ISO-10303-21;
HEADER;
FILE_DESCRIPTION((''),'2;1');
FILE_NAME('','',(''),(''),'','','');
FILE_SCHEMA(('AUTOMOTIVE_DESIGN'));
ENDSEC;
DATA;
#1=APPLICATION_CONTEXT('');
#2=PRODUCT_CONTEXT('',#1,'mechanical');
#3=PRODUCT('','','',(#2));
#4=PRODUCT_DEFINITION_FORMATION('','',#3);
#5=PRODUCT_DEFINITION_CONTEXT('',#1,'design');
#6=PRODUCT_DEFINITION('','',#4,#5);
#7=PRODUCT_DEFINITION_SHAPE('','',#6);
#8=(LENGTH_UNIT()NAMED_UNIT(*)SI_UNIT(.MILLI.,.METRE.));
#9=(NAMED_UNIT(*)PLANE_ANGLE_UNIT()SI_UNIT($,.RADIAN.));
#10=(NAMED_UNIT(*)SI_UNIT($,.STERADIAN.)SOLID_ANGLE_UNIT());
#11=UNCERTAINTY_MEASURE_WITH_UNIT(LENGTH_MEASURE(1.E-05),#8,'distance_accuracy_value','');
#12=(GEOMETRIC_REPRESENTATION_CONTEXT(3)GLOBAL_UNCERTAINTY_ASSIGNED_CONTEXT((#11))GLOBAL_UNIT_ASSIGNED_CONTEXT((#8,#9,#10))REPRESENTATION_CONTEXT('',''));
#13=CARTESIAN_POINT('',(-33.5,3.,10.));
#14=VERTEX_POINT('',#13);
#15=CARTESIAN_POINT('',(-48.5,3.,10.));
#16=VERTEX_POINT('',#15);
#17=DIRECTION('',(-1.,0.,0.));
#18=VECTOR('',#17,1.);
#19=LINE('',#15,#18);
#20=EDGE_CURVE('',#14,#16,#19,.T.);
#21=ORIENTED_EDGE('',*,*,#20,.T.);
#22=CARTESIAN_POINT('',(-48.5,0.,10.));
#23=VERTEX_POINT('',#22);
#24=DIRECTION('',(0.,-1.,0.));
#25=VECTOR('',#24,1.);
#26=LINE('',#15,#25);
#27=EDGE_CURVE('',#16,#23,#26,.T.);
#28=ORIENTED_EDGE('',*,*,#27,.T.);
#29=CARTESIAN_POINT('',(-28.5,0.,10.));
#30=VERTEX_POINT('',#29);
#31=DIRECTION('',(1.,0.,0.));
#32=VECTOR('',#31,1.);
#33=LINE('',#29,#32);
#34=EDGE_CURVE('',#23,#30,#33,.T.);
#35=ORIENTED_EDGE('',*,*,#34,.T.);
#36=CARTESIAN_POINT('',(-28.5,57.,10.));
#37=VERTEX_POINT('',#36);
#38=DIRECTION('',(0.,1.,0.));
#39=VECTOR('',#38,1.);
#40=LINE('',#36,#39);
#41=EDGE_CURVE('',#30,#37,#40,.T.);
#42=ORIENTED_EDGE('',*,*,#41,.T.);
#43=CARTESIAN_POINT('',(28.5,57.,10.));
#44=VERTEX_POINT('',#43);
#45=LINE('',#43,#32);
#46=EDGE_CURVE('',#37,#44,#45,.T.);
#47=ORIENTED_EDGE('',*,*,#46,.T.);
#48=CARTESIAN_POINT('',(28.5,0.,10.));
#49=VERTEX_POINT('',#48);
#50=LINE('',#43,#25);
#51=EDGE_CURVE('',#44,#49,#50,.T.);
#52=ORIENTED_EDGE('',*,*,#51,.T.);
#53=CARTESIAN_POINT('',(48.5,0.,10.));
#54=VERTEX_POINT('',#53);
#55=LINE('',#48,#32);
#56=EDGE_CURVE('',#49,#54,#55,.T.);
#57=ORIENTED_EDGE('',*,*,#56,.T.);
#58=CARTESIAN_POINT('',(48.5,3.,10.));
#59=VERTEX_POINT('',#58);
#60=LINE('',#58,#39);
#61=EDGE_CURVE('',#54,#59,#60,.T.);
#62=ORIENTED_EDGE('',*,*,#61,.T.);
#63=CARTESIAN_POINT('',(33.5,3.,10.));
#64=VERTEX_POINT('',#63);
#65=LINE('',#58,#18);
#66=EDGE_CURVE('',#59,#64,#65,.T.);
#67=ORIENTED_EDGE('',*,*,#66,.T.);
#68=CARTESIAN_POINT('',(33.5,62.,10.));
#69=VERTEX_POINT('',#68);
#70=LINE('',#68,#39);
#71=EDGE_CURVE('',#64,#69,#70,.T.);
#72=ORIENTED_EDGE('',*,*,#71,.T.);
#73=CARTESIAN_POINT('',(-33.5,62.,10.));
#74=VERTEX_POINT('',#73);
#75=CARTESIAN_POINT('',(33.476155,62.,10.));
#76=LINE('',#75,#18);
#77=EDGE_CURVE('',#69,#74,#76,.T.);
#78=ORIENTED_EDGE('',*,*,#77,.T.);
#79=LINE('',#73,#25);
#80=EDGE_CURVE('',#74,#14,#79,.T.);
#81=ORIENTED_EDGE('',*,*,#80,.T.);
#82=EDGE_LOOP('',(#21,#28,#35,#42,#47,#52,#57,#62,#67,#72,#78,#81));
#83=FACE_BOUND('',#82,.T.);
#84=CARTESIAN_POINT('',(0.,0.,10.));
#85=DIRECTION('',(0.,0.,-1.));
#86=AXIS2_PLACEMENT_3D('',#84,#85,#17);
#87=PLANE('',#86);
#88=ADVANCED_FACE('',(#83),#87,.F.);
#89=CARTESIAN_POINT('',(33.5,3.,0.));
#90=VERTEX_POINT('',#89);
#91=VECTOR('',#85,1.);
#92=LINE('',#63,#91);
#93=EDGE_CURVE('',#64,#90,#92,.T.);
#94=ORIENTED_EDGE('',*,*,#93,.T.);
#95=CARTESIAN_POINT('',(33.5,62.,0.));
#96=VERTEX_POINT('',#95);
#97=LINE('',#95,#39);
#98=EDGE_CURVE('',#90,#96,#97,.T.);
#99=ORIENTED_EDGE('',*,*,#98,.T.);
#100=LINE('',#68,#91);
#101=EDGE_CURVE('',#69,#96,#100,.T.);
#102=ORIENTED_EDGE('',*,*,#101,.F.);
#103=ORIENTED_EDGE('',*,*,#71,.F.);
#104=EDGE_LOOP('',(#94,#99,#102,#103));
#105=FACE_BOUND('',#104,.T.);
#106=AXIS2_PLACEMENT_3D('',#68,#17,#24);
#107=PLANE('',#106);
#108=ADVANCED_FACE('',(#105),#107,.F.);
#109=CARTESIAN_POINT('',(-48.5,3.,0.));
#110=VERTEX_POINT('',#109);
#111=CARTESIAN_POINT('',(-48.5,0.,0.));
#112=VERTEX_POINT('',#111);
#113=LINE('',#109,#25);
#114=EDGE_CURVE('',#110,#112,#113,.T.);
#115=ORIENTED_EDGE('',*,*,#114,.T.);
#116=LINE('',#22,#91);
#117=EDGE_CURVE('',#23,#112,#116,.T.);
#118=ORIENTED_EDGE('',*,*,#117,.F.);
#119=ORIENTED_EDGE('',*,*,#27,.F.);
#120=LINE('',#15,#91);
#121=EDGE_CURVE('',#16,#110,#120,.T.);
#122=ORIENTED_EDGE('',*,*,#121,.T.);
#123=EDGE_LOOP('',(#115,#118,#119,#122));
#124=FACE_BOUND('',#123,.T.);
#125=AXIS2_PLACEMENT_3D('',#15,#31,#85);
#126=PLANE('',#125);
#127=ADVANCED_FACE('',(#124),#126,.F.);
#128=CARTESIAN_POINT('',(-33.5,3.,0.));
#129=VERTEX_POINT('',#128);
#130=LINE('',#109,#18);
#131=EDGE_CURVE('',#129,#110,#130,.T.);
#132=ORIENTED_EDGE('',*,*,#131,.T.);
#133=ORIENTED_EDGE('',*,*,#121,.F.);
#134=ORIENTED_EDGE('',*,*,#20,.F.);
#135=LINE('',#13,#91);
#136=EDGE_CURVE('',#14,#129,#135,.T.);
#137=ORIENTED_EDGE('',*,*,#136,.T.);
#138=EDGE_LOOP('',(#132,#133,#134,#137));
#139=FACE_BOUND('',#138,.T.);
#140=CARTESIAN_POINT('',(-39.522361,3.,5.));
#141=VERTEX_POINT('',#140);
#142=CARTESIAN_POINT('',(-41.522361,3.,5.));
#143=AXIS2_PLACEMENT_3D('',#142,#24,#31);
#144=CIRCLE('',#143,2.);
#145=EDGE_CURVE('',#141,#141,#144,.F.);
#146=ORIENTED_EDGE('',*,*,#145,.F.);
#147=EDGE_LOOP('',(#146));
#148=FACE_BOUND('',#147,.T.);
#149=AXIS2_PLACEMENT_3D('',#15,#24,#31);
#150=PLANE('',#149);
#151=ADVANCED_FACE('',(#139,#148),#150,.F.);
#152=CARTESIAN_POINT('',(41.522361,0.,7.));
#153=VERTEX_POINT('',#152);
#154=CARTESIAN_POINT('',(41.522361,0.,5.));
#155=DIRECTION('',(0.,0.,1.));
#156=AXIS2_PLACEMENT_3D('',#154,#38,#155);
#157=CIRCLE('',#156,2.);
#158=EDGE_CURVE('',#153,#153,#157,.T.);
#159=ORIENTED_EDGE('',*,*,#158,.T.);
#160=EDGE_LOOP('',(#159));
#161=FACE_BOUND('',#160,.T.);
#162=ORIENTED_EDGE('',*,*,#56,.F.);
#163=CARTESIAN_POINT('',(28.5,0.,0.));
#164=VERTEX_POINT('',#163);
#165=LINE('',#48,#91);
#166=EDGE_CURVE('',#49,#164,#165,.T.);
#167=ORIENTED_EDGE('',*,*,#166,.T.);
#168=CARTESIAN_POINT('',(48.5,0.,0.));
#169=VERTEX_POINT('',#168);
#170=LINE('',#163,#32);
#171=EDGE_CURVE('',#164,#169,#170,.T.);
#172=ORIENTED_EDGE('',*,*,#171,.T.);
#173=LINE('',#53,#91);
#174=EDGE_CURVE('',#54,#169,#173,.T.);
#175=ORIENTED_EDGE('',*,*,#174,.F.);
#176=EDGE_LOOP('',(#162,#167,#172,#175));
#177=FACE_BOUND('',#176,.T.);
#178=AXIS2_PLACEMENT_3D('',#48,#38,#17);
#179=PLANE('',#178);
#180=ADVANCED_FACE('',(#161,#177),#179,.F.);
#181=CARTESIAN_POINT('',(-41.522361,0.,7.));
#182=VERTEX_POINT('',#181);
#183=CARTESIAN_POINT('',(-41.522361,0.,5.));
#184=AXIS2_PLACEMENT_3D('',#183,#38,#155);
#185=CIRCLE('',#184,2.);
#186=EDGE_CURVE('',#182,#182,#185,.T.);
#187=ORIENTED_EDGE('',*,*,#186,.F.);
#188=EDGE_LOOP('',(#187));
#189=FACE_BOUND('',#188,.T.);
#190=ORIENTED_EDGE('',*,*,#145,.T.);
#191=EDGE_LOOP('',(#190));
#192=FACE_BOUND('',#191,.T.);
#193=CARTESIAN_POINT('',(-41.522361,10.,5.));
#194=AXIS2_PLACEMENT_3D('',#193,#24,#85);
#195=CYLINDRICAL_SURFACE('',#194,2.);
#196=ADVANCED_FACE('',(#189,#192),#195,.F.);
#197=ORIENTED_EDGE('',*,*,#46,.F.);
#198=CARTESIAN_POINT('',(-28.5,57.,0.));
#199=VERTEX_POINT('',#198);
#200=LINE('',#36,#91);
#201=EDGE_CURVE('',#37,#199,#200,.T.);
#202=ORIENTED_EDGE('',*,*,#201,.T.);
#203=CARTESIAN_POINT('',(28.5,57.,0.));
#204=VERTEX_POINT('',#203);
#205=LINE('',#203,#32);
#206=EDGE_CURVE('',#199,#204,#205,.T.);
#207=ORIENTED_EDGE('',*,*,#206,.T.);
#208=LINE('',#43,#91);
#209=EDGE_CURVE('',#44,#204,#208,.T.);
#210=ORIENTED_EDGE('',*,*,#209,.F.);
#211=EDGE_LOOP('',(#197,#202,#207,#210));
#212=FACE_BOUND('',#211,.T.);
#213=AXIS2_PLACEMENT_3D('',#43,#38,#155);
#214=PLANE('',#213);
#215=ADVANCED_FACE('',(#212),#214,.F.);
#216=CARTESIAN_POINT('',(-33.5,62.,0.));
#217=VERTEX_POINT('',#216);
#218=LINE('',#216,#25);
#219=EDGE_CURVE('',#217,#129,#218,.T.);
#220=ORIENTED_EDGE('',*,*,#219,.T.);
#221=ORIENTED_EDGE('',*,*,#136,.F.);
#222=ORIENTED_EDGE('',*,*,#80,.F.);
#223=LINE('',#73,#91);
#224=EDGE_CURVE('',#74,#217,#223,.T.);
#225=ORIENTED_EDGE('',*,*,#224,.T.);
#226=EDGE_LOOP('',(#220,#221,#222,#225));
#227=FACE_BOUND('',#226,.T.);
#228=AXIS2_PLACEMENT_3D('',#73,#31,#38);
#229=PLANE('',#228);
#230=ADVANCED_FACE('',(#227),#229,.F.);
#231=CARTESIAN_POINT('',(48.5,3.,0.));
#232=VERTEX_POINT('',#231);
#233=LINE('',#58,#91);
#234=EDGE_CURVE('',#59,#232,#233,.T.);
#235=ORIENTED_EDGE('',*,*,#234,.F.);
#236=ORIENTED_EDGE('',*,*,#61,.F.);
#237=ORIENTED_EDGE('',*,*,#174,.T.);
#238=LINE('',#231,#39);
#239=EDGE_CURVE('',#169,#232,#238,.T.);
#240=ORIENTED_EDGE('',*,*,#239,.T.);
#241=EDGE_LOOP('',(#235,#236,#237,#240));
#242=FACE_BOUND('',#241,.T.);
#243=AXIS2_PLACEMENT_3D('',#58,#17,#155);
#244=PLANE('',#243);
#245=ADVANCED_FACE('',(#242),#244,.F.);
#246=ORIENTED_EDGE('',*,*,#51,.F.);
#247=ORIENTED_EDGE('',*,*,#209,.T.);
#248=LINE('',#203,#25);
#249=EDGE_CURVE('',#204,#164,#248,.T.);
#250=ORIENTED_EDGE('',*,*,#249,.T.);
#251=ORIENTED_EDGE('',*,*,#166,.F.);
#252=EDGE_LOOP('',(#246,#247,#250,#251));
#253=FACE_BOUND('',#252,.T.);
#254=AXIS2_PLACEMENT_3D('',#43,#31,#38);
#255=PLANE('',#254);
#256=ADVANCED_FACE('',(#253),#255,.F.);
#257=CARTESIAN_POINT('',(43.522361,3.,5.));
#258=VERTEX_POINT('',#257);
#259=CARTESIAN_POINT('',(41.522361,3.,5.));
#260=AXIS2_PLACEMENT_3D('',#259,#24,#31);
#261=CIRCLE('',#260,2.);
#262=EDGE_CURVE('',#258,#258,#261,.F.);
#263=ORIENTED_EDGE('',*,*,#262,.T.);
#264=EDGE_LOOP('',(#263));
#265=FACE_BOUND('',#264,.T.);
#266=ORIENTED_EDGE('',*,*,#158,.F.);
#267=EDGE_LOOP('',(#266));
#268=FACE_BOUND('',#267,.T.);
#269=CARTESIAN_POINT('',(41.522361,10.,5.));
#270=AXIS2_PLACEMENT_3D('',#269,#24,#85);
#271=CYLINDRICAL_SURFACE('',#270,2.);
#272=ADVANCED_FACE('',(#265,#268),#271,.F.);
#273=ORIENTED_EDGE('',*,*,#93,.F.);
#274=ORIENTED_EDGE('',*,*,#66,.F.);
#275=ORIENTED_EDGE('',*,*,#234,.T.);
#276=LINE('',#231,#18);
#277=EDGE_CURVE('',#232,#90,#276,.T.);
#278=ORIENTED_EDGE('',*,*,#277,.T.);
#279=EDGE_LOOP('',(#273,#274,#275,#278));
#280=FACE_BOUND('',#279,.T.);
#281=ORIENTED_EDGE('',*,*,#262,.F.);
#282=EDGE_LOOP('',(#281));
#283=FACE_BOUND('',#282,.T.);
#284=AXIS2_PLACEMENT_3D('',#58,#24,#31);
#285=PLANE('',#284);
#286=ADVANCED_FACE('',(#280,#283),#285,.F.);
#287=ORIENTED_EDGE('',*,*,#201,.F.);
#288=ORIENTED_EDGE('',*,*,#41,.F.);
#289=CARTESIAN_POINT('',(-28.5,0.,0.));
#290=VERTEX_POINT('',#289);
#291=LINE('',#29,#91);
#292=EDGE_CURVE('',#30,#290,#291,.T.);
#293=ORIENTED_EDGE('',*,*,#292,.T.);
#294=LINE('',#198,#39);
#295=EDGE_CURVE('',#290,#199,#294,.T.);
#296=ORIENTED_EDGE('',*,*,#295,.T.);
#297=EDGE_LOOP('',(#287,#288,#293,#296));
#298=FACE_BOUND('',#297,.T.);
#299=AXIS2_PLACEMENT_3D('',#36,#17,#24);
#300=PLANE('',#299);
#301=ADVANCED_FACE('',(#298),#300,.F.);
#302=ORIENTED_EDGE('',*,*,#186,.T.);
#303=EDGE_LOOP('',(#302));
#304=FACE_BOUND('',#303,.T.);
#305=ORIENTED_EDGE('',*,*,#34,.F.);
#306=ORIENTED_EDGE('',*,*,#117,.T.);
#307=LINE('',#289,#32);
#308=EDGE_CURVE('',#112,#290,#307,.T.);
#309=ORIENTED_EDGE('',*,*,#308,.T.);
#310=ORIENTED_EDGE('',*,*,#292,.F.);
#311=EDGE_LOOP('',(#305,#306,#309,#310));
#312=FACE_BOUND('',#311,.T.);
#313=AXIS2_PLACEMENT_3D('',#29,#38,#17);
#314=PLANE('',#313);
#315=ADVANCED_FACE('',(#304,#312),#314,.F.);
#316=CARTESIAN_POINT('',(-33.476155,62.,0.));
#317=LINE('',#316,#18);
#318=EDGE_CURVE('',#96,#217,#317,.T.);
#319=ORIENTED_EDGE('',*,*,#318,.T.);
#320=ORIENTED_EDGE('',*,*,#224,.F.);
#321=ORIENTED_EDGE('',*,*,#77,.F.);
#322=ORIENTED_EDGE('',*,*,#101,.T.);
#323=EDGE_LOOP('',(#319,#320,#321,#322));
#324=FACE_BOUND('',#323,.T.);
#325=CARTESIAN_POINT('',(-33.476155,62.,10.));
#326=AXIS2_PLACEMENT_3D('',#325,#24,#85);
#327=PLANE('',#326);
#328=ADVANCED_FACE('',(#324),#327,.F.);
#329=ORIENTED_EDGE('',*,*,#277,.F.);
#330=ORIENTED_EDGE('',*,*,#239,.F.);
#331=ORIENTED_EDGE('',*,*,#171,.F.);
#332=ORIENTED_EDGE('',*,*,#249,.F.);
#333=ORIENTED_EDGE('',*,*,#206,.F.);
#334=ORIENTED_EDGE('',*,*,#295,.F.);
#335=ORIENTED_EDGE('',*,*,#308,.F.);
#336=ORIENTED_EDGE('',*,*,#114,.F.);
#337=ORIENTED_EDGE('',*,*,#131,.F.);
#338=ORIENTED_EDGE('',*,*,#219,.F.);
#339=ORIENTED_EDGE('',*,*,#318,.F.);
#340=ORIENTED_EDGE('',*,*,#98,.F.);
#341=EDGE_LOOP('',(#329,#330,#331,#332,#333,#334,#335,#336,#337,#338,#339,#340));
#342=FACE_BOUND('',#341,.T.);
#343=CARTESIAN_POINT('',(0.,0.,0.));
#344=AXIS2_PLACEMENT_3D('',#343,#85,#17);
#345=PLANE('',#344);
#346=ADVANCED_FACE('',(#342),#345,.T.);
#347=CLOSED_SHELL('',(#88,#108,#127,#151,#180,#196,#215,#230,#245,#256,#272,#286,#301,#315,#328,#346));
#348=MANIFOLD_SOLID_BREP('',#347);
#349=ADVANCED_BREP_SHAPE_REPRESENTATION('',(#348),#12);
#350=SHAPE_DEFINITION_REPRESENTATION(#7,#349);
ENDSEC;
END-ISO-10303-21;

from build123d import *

# Parameters (mm, degrees)
BOSS_EXTRUDE1_DEPTH = 10
SKETCH4_R           = 2
CUT_EXTRUDE2_DEPTH  = 10


with BuildPart() as part:
    # Sketch1 → Boss-Extrude1 (new body)
    with BuildSketch(Plane.XY):
        Polygon((33.476154754, 62), (-33.476154754, 62), (-33.5, 62), (-33.5, 3), (-48.5, 3), (-48.5, 0), (-28.5, 0), (-28.5, 57), (28.5, 57), (28.5, 0), (48.5, 0), (48.5, 3), (33.5, 3), (33.5, 62), align=None)
    extrude(amount=BOSS_EXTRUDE1_DEPTH)

    # Sketch4 → Cut-Extrude2 (cut)
    with BuildSketch(Plane(origin=(0, 0, 0), x_dir=(1, 0, 0), z_dir=(0, 1, 0))):
        with Locations((-41.522360656, -5)):
            Circle(SKETCH4_R)
        with Locations((41.522360656, -5)):
            Circle(SKETCH4_R)
    extrude(amount=CUT_EXTRUDE2_DEPTH, mode=Mode.SUBTRACT)


solid = part.part
